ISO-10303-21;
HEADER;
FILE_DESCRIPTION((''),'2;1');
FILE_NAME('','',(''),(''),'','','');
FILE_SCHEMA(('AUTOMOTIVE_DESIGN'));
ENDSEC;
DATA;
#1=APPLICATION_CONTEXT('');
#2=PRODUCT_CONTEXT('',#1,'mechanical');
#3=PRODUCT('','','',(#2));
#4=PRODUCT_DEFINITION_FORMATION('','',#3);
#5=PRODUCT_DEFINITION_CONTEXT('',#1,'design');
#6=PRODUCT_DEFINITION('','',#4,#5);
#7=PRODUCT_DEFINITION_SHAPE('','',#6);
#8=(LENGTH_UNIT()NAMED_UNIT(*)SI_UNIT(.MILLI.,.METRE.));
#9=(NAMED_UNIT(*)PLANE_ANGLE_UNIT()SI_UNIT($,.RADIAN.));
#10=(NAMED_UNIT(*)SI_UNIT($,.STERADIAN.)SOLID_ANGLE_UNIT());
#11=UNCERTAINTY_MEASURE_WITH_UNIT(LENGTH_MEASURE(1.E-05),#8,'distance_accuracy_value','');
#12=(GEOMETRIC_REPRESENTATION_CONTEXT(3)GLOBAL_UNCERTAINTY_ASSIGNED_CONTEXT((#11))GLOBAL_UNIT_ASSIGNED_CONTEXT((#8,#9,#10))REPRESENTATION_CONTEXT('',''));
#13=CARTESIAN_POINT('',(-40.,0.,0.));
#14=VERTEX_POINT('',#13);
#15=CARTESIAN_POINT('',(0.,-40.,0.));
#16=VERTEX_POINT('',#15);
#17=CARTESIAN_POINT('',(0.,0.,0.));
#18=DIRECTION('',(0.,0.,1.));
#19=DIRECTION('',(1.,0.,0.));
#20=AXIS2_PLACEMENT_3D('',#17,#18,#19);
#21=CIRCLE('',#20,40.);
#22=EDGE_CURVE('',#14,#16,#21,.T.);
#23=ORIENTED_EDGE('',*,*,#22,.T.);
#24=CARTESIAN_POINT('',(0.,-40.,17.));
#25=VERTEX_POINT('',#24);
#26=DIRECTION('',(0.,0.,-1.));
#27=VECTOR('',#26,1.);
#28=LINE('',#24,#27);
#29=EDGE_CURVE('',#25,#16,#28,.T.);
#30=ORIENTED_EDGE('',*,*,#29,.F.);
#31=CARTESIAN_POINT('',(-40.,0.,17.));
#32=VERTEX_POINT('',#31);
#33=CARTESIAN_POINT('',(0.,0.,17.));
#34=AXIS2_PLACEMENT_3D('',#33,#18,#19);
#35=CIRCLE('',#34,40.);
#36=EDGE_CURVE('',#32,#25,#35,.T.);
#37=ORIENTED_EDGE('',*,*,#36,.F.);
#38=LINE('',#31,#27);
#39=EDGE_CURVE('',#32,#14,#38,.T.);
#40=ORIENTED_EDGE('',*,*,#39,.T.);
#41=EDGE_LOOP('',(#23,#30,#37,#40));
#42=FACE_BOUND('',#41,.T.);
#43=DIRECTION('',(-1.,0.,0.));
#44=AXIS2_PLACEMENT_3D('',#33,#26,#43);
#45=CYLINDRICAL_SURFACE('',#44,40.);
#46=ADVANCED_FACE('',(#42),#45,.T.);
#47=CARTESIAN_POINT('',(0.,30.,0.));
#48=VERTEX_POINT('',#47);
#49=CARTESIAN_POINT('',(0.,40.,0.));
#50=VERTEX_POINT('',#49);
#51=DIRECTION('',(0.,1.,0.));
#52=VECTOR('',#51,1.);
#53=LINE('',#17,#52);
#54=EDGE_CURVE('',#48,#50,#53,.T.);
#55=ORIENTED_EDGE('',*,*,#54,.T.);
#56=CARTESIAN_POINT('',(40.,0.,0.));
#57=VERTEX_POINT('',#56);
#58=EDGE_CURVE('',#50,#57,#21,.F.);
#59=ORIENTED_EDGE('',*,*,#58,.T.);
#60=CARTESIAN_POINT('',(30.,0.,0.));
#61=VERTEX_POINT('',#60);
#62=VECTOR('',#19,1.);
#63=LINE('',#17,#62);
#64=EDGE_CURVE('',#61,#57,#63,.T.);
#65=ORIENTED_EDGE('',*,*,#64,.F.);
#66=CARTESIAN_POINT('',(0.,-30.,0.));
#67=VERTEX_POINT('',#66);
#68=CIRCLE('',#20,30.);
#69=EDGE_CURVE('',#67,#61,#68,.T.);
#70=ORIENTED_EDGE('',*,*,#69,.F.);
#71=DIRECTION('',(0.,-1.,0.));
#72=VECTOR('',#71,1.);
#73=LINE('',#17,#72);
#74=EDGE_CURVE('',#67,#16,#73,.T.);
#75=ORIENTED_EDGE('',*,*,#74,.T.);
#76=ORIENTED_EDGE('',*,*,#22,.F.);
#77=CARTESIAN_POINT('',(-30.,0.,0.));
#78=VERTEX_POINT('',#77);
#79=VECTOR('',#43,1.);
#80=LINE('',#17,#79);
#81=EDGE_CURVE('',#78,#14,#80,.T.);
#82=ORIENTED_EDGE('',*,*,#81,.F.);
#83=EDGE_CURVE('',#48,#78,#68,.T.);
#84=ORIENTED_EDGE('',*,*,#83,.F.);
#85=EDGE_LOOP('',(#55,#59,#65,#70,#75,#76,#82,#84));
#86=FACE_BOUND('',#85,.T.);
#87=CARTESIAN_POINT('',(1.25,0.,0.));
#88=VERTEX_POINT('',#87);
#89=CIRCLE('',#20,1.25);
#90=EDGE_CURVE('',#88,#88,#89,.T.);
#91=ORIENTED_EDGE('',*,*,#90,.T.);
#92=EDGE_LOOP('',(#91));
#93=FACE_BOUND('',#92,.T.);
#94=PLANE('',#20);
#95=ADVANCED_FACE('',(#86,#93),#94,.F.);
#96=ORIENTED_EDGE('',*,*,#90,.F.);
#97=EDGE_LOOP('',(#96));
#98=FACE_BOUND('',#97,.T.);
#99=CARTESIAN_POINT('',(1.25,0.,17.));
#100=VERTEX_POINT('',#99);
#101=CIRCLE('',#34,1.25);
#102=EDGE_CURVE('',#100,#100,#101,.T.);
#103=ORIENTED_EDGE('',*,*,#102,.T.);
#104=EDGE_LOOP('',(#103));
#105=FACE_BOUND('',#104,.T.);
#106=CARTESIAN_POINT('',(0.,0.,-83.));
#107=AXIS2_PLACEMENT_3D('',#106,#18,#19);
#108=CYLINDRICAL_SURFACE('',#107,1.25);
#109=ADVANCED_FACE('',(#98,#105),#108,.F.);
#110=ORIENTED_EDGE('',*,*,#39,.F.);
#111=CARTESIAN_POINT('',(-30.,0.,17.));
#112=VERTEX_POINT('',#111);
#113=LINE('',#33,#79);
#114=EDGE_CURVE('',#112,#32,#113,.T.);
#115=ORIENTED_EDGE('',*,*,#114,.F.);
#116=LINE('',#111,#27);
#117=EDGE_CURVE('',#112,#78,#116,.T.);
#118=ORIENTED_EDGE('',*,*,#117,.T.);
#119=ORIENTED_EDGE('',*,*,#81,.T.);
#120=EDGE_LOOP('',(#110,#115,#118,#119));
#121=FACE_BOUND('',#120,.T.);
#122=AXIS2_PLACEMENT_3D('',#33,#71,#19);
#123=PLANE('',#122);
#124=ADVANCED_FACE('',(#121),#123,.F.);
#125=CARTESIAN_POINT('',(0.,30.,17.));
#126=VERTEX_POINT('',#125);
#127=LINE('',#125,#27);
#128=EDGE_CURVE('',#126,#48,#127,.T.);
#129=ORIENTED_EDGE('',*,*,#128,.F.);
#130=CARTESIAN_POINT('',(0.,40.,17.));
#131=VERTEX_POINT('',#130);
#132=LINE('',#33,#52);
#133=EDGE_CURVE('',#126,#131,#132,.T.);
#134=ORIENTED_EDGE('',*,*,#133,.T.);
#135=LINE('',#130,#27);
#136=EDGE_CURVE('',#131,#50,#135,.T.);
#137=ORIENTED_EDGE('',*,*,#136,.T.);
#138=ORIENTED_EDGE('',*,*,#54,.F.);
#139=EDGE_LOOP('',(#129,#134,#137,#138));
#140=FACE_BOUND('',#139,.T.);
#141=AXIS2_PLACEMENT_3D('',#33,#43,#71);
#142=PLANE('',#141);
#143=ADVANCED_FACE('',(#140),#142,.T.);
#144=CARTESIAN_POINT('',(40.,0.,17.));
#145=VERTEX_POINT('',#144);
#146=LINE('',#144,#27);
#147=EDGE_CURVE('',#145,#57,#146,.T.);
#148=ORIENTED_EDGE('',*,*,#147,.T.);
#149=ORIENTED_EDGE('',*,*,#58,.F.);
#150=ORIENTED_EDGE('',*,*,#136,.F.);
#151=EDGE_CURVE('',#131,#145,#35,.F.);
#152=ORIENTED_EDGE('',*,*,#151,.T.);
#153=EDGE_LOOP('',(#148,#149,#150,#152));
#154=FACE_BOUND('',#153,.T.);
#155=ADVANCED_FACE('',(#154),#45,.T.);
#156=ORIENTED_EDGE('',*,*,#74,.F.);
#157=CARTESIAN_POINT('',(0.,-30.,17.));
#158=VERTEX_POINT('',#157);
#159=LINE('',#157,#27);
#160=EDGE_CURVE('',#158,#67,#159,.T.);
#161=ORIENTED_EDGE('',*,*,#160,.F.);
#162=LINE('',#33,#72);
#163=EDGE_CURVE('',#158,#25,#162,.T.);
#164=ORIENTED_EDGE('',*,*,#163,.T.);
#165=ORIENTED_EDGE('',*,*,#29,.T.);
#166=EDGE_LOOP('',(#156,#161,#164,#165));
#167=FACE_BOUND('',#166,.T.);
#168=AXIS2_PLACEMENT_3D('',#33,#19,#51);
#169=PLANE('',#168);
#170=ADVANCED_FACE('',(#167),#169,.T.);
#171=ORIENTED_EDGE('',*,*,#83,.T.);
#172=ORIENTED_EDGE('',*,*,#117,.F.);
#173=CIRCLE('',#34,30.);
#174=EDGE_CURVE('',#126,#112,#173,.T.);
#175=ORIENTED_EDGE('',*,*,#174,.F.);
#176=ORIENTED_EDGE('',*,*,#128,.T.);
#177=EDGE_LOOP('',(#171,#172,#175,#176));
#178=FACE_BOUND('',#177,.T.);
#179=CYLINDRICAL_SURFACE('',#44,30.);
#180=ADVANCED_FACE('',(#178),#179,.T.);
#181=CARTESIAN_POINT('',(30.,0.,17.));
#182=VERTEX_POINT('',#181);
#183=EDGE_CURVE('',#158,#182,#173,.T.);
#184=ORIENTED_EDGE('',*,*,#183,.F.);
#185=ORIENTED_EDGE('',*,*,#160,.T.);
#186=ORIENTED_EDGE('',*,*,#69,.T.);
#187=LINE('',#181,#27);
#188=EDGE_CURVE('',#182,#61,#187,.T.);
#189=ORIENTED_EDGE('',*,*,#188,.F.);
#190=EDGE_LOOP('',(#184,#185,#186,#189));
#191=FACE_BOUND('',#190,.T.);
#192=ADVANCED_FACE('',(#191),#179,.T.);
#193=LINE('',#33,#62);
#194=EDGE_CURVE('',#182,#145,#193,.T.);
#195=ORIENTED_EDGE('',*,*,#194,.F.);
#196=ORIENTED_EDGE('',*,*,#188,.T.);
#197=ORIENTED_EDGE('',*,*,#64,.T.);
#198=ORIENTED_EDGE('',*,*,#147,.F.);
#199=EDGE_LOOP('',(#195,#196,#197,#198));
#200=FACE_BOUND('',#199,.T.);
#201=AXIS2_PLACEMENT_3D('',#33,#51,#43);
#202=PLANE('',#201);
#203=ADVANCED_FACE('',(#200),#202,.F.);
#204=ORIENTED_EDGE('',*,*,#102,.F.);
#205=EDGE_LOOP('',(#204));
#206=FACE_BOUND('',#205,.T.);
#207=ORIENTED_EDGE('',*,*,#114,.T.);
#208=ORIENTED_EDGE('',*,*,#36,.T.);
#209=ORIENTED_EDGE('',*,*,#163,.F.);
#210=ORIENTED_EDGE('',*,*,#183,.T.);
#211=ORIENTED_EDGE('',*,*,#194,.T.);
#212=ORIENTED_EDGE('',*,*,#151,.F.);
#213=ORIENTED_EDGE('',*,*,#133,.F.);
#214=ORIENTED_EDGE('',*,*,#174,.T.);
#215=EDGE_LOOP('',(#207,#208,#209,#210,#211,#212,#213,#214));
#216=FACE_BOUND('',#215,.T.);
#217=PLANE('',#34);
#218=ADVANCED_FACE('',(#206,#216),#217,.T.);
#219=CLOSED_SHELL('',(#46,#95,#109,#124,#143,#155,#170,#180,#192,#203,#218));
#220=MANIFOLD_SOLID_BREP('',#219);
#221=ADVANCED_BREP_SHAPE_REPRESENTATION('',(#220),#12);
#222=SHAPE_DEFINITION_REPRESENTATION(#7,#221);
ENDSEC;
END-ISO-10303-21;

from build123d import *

# Parameters (mm, degrees)
ESQUISSE1_R             = 30
BOSS_EXTRU_1_DEPTH      = 17
ESQUISSE2_R             = 1.25
ENL_V_MAT_EXTRU_1_DEPTH = 100


with BuildPart() as part:
    # Esquisse1 → Boss.-Extru.1 (new body)
    with BuildSketch(Plane.XY):
        Circle(ESQUISSE1_R)
        with BuildLine():
            Line((0, 40), (0, 30))
            ThreePointArc((0, 30), (21.213203436, 21.213203436), (30, 0))
            Line((30, 0), (40, 0))
            ThreePointArc((40, 0), (28.284271247, 28.284271247), (0, 40))
        make_face()
        with BuildLine():
            ThreePointArc((0, -30), (-21.213203436, -21.213203436), (-30, 0))
            Line((-30, 0), (-40, 0))
            ThreePointArc((-40, 0), (-28.284271247, -28.284271247), (0, -40))
            Line((0, -40), (0, -30))
        make_face()
    extrude(amount=BOSS_EXTRU_1_DEPTH)

    # Esquisse2 → Enlèv. mat.-Extru.1 (cut)
    with BuildSketch(Plane.XY.offset(17)):
        Circle(ESQUISSE2_R)
    extrude(amount=-ENL_V_MAT_EXTRU_1_DEPTH, mode=Mode.SUBTRACT)


solid = part.part
